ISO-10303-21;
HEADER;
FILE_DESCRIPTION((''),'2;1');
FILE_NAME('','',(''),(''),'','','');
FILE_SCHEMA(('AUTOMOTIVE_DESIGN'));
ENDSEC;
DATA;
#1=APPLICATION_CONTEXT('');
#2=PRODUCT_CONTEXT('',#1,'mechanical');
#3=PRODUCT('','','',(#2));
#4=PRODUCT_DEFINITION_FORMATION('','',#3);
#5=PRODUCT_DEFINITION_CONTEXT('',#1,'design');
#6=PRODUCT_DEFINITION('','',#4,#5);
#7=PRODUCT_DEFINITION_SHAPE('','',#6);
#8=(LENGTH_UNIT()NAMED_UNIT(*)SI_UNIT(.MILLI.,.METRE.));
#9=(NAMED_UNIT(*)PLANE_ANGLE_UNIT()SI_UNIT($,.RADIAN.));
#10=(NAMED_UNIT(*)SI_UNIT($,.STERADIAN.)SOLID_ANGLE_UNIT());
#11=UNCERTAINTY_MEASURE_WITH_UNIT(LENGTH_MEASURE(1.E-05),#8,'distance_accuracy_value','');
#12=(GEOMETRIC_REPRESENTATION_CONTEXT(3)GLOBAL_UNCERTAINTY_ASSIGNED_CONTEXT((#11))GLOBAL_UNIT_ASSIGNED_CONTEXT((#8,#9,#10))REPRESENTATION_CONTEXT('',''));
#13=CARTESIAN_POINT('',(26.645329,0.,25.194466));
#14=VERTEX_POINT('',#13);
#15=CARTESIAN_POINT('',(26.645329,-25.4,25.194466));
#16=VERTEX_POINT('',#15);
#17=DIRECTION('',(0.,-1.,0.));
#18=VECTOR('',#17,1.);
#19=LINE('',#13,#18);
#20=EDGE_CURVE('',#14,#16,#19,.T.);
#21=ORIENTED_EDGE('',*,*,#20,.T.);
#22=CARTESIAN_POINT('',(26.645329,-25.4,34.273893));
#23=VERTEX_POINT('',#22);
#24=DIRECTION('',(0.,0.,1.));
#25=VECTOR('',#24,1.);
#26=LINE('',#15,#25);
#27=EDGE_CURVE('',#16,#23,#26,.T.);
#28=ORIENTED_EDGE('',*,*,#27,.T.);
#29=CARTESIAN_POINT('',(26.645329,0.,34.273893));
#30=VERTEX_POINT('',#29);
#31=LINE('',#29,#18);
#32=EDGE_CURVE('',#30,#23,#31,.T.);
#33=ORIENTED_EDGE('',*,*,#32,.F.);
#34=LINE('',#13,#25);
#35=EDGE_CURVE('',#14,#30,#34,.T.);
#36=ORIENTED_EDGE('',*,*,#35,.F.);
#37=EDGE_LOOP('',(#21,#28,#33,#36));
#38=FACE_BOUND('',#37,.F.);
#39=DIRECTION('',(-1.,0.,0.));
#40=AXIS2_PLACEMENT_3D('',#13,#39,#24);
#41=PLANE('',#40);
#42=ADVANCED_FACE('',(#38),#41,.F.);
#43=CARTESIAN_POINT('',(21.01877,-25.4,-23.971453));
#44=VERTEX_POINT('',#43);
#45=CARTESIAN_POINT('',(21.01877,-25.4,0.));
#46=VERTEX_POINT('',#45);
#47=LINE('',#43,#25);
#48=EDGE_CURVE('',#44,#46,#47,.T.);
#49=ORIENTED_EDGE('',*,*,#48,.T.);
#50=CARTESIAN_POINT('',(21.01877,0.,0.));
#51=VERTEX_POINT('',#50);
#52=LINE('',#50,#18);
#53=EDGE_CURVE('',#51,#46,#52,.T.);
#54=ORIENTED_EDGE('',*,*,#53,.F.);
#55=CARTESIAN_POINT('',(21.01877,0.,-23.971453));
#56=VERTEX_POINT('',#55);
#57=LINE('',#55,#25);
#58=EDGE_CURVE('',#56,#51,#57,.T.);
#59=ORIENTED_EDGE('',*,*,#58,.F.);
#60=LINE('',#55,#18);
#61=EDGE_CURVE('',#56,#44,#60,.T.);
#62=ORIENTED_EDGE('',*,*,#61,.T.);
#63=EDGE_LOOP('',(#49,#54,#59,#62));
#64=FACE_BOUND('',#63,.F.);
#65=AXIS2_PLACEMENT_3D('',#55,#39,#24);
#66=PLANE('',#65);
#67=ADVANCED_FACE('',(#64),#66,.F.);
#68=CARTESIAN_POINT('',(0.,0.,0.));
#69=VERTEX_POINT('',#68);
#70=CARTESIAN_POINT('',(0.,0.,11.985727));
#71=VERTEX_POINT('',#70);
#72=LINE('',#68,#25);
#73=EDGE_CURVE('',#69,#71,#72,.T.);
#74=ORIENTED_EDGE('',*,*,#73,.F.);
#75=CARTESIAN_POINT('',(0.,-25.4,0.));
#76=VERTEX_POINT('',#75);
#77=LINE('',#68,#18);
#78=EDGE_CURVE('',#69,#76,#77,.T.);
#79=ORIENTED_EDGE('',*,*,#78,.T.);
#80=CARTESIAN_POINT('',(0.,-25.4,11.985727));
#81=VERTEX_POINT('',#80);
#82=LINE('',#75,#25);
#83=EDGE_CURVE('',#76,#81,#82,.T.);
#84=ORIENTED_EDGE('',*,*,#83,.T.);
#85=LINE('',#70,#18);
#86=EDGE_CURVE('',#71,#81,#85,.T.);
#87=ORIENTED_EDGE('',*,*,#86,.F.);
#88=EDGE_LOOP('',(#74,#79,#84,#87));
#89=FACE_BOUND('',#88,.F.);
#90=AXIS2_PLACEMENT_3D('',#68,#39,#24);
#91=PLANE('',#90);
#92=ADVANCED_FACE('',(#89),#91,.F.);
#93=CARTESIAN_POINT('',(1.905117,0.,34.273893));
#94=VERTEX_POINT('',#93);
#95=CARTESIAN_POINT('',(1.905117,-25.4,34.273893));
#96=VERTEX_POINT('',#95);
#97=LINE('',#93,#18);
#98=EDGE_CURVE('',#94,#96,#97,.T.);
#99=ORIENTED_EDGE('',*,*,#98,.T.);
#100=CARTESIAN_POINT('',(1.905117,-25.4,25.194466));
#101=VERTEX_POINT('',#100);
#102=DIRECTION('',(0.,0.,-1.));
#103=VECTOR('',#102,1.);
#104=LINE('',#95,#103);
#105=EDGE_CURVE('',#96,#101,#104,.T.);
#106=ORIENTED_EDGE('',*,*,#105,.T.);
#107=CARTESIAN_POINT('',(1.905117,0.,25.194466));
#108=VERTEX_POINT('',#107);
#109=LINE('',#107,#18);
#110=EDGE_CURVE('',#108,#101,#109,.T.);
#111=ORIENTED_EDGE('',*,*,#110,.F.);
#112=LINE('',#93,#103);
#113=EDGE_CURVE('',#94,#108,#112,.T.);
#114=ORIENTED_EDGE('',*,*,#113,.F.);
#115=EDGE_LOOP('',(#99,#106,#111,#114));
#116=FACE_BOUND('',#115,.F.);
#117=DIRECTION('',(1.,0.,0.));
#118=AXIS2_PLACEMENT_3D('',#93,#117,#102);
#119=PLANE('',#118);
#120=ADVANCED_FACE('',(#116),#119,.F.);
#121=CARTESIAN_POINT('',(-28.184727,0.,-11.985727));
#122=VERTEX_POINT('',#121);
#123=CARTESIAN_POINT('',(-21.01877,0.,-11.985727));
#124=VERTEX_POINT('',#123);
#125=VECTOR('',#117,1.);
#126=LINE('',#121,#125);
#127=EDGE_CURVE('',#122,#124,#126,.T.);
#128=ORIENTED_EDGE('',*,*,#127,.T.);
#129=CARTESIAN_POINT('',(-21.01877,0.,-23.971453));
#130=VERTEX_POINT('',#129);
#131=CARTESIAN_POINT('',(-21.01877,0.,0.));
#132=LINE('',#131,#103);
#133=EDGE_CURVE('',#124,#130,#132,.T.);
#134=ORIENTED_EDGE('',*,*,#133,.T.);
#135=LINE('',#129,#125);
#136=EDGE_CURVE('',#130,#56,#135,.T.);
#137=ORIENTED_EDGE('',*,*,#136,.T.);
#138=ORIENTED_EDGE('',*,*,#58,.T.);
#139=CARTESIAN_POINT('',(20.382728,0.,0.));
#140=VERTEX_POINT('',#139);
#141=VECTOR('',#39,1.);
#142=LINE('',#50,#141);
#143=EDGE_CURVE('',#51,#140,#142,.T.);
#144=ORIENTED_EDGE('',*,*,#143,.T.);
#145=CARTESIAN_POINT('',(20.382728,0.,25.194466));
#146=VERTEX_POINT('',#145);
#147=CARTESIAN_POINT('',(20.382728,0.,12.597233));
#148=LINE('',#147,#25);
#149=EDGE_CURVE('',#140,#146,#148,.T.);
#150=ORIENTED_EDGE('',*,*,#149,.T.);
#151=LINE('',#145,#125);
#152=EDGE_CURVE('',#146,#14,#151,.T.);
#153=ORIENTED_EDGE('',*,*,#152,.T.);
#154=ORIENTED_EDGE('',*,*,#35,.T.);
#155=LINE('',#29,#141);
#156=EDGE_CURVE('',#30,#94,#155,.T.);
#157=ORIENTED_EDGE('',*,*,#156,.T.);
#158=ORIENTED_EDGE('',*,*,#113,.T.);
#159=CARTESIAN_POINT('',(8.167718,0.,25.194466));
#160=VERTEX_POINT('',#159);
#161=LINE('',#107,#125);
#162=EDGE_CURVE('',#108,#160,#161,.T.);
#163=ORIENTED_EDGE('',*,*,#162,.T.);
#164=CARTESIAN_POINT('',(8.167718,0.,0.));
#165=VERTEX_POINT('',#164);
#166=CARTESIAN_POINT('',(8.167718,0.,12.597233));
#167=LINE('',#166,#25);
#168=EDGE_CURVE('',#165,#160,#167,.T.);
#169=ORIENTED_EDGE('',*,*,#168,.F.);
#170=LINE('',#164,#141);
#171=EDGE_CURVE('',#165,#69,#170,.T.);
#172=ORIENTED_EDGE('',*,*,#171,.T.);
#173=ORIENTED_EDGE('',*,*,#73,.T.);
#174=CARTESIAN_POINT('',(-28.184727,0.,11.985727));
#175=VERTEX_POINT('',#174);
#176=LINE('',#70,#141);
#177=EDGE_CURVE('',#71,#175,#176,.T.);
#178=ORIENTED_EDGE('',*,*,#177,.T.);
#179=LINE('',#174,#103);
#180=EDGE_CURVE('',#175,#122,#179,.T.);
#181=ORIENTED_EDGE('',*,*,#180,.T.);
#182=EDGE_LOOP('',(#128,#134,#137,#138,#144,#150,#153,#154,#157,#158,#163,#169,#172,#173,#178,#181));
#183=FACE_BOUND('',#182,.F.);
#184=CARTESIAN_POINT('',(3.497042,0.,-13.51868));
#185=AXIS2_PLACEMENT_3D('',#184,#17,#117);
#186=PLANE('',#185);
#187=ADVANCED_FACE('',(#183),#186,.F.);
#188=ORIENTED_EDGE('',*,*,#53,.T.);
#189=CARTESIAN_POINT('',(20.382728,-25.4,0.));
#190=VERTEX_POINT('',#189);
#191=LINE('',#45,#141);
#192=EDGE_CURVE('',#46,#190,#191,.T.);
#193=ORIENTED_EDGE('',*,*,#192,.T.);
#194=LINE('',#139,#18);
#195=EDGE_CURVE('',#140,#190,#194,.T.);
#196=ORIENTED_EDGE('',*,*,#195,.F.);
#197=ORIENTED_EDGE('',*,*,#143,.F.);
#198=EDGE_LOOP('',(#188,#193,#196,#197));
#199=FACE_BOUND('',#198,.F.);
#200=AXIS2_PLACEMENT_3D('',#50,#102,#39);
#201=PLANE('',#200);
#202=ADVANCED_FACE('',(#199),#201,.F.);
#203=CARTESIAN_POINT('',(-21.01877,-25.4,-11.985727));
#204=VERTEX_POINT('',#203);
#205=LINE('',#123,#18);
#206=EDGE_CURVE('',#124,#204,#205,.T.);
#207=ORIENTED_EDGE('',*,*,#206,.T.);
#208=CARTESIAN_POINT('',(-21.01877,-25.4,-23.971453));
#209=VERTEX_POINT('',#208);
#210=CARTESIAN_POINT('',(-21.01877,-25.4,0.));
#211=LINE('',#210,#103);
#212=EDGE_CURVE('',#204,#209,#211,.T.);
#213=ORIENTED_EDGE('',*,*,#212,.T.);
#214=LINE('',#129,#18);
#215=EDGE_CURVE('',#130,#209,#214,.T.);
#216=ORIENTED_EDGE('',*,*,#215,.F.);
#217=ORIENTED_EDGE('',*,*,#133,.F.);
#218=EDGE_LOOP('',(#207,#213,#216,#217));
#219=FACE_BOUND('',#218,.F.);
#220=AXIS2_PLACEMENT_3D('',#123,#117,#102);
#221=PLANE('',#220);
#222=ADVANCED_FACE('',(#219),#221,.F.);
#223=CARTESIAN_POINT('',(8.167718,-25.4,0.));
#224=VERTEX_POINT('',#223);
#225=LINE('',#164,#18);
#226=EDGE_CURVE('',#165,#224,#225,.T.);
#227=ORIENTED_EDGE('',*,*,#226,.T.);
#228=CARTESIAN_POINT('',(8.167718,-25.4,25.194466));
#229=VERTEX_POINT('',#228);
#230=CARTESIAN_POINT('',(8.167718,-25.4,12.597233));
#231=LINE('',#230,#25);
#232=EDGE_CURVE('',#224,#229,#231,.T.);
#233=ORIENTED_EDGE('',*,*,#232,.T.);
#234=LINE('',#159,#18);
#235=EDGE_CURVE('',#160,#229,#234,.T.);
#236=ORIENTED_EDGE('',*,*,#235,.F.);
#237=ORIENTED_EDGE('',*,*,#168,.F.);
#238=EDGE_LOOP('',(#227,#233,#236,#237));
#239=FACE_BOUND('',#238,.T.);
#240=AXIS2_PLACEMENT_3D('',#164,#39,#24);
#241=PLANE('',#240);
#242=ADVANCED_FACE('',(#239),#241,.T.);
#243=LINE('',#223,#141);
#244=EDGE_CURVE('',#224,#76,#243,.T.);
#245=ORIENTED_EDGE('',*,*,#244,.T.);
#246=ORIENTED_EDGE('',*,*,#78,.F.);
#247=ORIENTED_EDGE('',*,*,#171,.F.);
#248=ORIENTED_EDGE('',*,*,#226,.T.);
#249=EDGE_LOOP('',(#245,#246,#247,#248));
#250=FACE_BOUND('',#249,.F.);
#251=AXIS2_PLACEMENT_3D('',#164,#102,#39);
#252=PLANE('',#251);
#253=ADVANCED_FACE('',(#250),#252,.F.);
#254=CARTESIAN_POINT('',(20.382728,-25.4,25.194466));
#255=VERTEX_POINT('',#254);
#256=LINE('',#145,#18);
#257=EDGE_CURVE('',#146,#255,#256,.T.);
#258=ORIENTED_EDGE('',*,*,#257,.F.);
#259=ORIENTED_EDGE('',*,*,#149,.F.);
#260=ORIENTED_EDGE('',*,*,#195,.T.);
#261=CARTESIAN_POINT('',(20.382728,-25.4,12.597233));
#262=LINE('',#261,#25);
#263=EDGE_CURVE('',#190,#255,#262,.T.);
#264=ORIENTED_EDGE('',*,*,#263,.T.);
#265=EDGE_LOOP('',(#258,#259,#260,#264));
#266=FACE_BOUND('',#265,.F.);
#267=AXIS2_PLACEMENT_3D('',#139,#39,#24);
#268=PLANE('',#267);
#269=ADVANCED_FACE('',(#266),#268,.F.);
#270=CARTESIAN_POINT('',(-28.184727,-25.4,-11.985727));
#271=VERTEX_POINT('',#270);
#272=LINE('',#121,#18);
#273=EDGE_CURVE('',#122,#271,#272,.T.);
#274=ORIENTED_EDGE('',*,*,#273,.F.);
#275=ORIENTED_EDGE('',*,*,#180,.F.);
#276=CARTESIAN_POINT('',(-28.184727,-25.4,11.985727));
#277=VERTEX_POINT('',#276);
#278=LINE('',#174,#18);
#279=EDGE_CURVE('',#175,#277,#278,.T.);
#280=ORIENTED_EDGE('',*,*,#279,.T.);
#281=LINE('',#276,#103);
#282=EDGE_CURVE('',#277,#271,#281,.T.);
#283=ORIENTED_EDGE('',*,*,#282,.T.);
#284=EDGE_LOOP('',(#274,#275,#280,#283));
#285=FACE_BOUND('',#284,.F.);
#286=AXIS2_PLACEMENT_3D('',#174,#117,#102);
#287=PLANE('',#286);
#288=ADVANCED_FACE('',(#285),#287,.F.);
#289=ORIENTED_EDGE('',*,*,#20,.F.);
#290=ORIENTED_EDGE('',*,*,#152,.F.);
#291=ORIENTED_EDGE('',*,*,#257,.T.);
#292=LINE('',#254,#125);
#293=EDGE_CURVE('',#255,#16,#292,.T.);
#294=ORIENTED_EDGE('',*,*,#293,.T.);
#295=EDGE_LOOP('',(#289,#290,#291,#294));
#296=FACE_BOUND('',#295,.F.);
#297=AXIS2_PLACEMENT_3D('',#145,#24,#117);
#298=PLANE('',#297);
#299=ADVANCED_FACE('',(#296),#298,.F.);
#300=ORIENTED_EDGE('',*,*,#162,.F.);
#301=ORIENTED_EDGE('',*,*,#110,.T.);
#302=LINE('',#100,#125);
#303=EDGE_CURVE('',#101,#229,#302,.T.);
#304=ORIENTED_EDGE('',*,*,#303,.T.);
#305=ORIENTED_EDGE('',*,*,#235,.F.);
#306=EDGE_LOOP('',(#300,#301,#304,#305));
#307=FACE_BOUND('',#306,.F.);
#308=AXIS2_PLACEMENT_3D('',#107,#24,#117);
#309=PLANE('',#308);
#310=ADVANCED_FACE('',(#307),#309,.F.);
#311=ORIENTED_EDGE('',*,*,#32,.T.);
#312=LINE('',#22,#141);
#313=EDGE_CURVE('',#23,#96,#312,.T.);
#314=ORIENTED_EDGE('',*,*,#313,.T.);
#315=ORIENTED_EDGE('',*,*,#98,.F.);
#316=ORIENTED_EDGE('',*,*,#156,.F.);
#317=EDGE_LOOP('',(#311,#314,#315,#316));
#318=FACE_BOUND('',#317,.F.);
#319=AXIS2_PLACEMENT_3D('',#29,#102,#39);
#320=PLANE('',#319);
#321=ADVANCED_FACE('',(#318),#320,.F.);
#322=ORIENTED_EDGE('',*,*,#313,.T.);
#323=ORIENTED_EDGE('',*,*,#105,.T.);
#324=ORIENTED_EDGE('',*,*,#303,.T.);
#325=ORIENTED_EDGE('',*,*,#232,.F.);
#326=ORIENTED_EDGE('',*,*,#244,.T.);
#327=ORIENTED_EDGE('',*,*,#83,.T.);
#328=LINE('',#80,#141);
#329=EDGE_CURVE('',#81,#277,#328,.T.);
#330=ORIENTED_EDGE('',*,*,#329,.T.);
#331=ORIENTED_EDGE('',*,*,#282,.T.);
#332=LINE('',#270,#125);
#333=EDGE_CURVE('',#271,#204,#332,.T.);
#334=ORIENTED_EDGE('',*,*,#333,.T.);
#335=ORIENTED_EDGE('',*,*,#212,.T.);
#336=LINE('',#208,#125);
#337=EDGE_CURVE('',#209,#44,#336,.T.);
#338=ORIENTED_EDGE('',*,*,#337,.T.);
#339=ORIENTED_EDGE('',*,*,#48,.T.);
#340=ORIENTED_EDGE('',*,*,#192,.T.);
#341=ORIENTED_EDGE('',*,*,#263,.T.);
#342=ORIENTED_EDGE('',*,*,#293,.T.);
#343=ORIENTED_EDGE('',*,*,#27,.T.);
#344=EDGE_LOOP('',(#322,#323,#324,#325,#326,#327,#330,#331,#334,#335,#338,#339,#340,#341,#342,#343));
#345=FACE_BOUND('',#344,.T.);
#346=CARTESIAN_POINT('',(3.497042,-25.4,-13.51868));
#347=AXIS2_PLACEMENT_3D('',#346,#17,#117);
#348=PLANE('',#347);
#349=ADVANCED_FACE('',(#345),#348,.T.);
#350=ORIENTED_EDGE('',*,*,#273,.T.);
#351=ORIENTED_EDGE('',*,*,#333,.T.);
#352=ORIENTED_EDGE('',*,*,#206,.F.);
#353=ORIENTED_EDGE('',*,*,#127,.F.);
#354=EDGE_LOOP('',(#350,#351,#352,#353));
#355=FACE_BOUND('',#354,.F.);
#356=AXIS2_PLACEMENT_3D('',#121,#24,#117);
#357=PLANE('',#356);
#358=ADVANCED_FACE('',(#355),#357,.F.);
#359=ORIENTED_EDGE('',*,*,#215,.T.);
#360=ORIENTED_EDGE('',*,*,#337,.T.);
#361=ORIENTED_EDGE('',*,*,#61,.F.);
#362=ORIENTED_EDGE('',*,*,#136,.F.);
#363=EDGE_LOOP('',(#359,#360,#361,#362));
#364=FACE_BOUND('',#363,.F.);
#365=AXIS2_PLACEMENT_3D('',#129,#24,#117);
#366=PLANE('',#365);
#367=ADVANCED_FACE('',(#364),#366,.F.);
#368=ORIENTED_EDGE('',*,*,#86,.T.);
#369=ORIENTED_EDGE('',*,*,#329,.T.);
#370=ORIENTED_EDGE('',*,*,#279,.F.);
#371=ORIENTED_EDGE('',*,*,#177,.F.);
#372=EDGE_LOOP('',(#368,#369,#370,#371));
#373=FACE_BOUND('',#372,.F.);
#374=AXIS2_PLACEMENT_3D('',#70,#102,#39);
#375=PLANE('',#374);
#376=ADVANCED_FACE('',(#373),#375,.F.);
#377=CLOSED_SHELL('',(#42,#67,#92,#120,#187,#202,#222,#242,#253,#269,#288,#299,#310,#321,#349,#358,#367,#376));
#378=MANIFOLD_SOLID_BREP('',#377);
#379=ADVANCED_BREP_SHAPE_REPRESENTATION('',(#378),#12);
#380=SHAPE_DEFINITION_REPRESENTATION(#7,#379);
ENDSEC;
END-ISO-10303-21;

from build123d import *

# Parameters (mm, degrees)
F0_W     = 21.018769592
F0_H     = 11.9857266545
F0_W_2   = 12.2150108218
F0_H_2   = 25.194466114
F0_H_3   = 9.7301751375
F0_H_4   = 4.5397132635
F1_DEPTH = 25.4


with BuildPart() as f1:
    # F0 (on Front) → F1 (new body)
    with BuildSketch(Plane.XZ):
        Polygon((0, 0), (0, -11.9857266545), (-21.018769592, -11.9857266545), (-21.018769592, -23.9714533091), (21.018769592, -23.9714533091), (21.018769592, 0), (20.3827284276, 0), (20.3827284276, -9.7301751375), (8.1677176058, -9.7301751375), (8.1677176058, 0), align=None)
        with Locations((-10.509384796, -5.9928633273)):
            Rectangle(F0_W, F0_H)
        Polygon((-28.1847268343, -11.9857266545), (-21.018769592, -11.9857266545), (-21.018769592, 0), (0, 0), (0, 11.9857266545), (-28.1847268343, 11.9857266545), align=None)
        with Locations((14.2752230167, 12.597233057)):
            Rectangle(F0_W_2, F0_H_2)
        with Locations((14.2752230167, -4.8650875688)):
            Rectangle(F0_W_2, F0_H_3)
        Polygon((1.9051171839, 25.194466114), (8.1677176058, 25.194466114), (8.1677176058, 29.7341793776), (20.3827284276, 29.7341793776), (20.3827284276, 25.194466114), (26.6453288496, 25.194466114), (26.6453288496, 34.2738926411), (1.9051171839, 34.2738926411), align=None)
        with Locations((14.2752230167, 27.4643227458)):
            Rectangle(F0_W_2, F0_H_4)
    extrude(amount=F1_DEPTH)


solid = f1.part
